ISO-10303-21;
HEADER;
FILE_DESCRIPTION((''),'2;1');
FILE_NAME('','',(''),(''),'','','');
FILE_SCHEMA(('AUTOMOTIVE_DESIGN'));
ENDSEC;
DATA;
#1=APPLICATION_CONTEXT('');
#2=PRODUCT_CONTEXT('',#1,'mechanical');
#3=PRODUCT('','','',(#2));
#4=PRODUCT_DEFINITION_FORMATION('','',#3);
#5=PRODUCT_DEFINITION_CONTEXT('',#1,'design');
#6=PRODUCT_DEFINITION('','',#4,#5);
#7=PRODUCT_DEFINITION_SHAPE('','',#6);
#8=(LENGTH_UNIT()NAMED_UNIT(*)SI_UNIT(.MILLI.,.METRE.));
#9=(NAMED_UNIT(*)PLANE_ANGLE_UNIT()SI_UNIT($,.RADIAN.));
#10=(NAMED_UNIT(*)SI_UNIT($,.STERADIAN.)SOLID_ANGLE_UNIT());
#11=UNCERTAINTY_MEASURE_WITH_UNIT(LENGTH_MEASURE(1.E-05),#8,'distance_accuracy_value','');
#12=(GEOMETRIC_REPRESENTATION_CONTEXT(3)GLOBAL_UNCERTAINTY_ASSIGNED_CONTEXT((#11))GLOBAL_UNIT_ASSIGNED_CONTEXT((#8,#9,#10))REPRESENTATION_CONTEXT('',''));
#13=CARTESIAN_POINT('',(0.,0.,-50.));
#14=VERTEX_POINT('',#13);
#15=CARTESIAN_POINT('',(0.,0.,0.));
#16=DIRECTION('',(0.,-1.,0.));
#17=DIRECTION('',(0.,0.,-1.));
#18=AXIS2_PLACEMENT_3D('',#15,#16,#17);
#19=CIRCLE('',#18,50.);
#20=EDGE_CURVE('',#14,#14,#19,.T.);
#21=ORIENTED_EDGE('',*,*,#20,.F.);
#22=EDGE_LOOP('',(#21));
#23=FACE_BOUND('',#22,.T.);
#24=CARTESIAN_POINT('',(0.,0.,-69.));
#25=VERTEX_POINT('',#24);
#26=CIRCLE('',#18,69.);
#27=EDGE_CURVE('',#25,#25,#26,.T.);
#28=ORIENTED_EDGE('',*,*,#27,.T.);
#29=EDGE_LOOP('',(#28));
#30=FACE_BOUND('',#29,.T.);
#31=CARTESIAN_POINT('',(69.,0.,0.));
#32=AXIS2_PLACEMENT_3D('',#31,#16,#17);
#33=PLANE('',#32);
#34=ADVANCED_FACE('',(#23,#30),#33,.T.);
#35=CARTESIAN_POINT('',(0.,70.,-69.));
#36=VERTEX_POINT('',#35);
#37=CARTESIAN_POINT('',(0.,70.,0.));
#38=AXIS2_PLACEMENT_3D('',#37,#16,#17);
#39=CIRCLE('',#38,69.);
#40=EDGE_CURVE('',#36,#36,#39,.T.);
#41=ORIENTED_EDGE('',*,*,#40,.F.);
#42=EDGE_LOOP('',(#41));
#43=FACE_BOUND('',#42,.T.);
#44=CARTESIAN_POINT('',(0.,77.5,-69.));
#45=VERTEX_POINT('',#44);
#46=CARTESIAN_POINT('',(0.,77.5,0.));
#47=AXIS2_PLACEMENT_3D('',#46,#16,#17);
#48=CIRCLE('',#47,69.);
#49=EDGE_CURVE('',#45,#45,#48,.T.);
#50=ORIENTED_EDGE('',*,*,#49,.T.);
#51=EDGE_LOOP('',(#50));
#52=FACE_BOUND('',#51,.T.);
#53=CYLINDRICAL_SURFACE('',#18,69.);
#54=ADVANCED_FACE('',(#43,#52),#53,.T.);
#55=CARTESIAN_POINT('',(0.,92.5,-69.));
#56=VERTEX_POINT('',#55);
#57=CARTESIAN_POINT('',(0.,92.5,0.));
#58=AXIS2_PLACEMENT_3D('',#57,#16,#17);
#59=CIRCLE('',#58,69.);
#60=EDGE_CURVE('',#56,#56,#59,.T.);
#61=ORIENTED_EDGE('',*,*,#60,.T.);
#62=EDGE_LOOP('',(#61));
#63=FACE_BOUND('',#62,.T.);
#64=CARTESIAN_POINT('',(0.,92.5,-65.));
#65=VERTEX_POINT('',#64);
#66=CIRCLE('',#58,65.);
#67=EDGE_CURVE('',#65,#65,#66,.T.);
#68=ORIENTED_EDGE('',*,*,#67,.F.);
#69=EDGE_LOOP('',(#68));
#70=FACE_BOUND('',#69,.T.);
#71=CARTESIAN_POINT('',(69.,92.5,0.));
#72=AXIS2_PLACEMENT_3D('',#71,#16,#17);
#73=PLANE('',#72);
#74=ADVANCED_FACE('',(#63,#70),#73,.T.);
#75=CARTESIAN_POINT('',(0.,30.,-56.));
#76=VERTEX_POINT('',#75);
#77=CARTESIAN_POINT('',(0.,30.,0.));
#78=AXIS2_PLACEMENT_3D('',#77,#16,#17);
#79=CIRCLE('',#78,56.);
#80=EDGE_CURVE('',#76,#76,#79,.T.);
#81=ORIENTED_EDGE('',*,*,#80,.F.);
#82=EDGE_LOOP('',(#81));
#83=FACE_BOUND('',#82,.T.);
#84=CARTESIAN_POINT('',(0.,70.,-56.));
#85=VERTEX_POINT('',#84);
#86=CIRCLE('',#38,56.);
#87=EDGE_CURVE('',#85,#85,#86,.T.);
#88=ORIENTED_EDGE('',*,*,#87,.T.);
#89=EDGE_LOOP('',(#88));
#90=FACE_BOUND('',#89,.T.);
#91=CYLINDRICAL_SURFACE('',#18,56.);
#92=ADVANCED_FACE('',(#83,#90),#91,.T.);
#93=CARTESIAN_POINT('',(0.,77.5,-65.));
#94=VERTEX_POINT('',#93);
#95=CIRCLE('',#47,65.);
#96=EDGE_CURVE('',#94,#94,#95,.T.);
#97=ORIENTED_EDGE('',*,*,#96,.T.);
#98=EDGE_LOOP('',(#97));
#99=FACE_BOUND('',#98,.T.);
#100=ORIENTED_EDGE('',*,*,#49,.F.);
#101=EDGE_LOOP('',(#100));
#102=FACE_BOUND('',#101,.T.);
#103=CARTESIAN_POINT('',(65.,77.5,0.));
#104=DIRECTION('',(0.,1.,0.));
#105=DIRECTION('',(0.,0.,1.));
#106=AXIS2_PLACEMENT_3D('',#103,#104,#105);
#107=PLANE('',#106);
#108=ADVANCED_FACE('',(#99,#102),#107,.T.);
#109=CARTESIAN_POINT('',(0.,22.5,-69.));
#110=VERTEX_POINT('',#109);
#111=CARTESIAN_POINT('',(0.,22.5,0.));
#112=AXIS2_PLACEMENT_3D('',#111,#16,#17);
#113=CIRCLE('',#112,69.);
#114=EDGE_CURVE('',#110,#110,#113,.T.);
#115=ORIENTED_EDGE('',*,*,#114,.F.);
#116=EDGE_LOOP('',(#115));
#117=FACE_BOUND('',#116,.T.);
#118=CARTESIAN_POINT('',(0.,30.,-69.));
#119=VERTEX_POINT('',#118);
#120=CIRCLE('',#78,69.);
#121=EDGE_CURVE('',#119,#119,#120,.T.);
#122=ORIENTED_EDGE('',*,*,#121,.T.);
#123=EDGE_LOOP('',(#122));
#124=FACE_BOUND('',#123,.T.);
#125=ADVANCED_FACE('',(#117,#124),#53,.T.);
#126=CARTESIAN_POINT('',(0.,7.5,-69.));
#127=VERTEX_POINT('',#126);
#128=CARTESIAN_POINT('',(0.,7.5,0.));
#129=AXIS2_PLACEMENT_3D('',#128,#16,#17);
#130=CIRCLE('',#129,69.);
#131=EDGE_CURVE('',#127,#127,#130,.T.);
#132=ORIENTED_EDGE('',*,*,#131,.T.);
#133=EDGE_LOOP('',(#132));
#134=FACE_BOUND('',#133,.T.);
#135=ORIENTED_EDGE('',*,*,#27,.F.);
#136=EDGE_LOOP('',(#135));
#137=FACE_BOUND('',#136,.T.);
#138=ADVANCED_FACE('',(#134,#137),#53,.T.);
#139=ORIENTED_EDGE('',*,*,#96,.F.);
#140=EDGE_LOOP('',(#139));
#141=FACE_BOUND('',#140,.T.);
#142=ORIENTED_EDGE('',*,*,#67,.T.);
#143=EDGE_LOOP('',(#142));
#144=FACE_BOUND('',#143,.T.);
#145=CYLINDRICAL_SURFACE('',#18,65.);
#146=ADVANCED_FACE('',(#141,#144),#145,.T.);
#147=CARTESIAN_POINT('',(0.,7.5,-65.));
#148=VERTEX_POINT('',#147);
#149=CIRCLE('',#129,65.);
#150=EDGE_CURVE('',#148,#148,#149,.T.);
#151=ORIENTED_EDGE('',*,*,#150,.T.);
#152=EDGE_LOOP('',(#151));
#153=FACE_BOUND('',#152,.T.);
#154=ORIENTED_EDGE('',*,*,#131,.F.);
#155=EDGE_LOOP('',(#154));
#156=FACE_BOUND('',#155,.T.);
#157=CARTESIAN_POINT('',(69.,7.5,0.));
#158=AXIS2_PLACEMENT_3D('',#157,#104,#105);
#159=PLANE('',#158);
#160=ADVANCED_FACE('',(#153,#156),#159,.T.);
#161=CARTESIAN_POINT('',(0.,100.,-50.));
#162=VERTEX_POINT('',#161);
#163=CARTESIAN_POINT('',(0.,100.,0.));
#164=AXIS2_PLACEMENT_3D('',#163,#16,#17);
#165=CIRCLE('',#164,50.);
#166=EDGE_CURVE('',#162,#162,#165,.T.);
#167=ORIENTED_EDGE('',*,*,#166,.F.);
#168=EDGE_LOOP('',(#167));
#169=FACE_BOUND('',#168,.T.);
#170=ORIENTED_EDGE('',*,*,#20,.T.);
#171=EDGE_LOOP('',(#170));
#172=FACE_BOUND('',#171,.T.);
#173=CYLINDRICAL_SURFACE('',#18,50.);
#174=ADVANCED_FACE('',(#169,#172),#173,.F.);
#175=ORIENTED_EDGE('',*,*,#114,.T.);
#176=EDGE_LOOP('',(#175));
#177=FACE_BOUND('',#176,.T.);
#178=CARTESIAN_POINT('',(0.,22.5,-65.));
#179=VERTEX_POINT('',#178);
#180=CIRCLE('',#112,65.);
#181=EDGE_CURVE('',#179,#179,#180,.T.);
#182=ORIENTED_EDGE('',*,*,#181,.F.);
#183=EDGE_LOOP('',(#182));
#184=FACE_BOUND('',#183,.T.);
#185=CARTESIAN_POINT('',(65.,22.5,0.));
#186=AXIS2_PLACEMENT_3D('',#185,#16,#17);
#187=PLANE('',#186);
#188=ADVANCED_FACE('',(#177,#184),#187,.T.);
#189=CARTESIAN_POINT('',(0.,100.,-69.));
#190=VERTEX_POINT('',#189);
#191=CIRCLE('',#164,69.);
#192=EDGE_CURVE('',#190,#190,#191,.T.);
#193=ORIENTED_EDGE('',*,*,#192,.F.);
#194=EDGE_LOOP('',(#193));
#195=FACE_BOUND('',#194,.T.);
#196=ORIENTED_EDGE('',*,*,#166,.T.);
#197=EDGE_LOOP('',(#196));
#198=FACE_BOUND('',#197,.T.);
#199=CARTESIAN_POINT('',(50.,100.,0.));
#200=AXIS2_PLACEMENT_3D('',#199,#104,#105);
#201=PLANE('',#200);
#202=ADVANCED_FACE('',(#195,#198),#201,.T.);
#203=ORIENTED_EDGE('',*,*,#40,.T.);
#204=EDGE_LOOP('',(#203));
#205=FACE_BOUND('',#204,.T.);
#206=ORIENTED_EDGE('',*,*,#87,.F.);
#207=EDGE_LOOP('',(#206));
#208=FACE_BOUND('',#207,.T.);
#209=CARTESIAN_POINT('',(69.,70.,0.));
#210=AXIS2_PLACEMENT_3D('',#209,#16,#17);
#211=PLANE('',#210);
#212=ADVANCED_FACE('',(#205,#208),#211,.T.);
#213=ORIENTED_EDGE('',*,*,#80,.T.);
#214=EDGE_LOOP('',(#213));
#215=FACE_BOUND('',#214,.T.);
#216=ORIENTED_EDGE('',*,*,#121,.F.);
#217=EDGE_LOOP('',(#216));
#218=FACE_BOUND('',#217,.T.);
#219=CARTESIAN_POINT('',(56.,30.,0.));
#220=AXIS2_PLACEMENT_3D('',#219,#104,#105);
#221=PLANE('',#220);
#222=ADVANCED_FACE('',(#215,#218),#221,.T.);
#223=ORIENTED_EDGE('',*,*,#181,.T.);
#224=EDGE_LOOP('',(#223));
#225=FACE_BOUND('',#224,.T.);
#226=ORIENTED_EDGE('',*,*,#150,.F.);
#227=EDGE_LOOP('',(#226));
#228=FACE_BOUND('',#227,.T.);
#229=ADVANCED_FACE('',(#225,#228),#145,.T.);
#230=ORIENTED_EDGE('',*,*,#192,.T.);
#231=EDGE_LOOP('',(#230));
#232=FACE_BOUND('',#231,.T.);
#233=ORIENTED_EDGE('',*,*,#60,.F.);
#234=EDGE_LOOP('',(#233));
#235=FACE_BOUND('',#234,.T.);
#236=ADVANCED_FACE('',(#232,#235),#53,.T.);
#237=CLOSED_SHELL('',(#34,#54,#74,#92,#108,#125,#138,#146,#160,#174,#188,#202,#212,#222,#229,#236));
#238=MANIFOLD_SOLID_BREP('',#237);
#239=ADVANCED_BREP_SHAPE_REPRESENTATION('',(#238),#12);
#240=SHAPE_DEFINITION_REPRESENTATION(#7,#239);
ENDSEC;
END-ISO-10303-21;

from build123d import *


with BuildPart() as part:
    # Esboço1 → Revolução1 (revolve)
    with BuildSketch(Plane.XY):
        Polygon((50, 100), (69, 100), (69, 92.5), (65, 92.5), (65, 77.5), (69, 77.5), (69, 70), (56, 70), (56, 30), (69, 30), (69, 22.5), (65, 22.5), (65, 7.5), (69, 7.5), (69, 0), (50, 0), align=None)
    revolve(axis=Axis((0, 0, 0), (0, 1, 0)))


solid = part.part
